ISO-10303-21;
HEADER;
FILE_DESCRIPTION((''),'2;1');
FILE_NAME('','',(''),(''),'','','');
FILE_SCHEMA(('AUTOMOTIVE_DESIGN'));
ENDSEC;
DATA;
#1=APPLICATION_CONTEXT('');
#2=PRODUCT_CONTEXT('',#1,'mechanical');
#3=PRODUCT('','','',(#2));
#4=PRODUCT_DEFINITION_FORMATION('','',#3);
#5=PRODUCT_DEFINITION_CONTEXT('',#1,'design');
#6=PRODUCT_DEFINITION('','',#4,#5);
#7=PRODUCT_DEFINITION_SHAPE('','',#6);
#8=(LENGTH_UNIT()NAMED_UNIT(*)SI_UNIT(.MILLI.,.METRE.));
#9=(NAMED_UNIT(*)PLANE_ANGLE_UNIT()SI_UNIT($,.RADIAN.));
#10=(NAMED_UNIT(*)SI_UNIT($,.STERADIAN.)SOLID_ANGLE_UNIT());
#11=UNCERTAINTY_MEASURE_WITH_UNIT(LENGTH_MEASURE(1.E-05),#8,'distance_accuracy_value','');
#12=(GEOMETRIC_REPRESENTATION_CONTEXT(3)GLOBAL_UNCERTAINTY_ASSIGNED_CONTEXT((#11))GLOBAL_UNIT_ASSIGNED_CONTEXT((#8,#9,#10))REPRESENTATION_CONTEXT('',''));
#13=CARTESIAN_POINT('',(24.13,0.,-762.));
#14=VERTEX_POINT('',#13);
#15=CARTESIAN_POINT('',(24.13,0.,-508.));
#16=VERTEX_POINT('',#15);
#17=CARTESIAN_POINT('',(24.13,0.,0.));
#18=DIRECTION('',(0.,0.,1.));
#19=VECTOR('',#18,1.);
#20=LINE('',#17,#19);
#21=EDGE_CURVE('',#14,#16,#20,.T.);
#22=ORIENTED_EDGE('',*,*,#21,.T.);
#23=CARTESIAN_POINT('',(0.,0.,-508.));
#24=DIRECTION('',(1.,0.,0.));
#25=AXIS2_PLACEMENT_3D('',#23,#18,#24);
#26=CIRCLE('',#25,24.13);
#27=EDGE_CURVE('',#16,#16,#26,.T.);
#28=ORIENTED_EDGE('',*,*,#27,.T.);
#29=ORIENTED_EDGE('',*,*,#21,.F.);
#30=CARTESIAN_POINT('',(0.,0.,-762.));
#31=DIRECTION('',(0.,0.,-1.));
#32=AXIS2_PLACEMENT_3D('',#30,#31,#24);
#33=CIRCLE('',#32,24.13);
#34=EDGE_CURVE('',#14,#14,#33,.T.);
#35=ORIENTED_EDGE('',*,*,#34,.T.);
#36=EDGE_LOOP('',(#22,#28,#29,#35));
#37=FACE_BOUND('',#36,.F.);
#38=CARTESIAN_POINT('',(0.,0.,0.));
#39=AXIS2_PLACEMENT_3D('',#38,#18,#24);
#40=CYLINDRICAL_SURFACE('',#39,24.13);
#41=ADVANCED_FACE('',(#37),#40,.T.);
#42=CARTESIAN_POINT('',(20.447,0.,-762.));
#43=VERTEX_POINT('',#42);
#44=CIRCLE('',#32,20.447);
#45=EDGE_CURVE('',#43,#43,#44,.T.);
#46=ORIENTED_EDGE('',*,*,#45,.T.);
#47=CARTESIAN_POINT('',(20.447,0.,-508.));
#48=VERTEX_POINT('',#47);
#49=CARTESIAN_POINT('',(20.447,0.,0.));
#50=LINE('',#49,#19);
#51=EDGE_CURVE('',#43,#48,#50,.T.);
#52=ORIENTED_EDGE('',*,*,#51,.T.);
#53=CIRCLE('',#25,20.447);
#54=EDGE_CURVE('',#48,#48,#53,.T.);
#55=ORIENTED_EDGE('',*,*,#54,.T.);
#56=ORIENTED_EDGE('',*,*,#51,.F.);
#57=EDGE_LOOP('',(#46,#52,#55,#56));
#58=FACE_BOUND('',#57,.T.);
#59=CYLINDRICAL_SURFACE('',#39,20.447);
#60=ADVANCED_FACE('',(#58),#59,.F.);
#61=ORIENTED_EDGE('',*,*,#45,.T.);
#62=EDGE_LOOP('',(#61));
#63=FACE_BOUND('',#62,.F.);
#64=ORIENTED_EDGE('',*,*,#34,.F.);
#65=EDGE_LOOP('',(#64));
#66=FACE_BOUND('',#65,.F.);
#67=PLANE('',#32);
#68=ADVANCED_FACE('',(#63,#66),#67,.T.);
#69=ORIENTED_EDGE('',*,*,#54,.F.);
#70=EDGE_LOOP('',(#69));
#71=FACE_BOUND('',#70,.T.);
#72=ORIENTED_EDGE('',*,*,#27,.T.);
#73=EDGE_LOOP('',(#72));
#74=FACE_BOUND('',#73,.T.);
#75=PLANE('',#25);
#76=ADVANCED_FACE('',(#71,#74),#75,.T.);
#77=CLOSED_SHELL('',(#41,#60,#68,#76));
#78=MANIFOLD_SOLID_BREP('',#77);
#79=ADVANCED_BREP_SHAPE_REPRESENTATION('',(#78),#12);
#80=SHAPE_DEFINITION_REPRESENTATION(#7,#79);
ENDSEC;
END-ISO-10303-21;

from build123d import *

# Parameters (mm, degrees)
SKETCH1_W          = 3.683
SKETCH1_H          = 1524
SKETCH2_R          = 33.655294881
CUT_EXTRUDE1_DEPTH = 1270


with BuildPart() as part:
    # Sketch1 → Revolve1 (revolve)
    with BuildSketch(Plane.XZ):
        with Locations((22.2885, 0)):
            Rectangle(SKETCH1_W, SKETCH1_H)
    revolve(axis=Axis((0, 0, 762), (0, 0, -1)))

    # Sketch2 → Cut-Extrude1 (cut)
    with BuildSketch(Plane.XY.offset(762)):
        Circle(SKETCH2_R)
    extrude(amount=-CUT_EXTRUDE1_DEPTH, mode=Mode.SUBTRACT)


solid = part.part
